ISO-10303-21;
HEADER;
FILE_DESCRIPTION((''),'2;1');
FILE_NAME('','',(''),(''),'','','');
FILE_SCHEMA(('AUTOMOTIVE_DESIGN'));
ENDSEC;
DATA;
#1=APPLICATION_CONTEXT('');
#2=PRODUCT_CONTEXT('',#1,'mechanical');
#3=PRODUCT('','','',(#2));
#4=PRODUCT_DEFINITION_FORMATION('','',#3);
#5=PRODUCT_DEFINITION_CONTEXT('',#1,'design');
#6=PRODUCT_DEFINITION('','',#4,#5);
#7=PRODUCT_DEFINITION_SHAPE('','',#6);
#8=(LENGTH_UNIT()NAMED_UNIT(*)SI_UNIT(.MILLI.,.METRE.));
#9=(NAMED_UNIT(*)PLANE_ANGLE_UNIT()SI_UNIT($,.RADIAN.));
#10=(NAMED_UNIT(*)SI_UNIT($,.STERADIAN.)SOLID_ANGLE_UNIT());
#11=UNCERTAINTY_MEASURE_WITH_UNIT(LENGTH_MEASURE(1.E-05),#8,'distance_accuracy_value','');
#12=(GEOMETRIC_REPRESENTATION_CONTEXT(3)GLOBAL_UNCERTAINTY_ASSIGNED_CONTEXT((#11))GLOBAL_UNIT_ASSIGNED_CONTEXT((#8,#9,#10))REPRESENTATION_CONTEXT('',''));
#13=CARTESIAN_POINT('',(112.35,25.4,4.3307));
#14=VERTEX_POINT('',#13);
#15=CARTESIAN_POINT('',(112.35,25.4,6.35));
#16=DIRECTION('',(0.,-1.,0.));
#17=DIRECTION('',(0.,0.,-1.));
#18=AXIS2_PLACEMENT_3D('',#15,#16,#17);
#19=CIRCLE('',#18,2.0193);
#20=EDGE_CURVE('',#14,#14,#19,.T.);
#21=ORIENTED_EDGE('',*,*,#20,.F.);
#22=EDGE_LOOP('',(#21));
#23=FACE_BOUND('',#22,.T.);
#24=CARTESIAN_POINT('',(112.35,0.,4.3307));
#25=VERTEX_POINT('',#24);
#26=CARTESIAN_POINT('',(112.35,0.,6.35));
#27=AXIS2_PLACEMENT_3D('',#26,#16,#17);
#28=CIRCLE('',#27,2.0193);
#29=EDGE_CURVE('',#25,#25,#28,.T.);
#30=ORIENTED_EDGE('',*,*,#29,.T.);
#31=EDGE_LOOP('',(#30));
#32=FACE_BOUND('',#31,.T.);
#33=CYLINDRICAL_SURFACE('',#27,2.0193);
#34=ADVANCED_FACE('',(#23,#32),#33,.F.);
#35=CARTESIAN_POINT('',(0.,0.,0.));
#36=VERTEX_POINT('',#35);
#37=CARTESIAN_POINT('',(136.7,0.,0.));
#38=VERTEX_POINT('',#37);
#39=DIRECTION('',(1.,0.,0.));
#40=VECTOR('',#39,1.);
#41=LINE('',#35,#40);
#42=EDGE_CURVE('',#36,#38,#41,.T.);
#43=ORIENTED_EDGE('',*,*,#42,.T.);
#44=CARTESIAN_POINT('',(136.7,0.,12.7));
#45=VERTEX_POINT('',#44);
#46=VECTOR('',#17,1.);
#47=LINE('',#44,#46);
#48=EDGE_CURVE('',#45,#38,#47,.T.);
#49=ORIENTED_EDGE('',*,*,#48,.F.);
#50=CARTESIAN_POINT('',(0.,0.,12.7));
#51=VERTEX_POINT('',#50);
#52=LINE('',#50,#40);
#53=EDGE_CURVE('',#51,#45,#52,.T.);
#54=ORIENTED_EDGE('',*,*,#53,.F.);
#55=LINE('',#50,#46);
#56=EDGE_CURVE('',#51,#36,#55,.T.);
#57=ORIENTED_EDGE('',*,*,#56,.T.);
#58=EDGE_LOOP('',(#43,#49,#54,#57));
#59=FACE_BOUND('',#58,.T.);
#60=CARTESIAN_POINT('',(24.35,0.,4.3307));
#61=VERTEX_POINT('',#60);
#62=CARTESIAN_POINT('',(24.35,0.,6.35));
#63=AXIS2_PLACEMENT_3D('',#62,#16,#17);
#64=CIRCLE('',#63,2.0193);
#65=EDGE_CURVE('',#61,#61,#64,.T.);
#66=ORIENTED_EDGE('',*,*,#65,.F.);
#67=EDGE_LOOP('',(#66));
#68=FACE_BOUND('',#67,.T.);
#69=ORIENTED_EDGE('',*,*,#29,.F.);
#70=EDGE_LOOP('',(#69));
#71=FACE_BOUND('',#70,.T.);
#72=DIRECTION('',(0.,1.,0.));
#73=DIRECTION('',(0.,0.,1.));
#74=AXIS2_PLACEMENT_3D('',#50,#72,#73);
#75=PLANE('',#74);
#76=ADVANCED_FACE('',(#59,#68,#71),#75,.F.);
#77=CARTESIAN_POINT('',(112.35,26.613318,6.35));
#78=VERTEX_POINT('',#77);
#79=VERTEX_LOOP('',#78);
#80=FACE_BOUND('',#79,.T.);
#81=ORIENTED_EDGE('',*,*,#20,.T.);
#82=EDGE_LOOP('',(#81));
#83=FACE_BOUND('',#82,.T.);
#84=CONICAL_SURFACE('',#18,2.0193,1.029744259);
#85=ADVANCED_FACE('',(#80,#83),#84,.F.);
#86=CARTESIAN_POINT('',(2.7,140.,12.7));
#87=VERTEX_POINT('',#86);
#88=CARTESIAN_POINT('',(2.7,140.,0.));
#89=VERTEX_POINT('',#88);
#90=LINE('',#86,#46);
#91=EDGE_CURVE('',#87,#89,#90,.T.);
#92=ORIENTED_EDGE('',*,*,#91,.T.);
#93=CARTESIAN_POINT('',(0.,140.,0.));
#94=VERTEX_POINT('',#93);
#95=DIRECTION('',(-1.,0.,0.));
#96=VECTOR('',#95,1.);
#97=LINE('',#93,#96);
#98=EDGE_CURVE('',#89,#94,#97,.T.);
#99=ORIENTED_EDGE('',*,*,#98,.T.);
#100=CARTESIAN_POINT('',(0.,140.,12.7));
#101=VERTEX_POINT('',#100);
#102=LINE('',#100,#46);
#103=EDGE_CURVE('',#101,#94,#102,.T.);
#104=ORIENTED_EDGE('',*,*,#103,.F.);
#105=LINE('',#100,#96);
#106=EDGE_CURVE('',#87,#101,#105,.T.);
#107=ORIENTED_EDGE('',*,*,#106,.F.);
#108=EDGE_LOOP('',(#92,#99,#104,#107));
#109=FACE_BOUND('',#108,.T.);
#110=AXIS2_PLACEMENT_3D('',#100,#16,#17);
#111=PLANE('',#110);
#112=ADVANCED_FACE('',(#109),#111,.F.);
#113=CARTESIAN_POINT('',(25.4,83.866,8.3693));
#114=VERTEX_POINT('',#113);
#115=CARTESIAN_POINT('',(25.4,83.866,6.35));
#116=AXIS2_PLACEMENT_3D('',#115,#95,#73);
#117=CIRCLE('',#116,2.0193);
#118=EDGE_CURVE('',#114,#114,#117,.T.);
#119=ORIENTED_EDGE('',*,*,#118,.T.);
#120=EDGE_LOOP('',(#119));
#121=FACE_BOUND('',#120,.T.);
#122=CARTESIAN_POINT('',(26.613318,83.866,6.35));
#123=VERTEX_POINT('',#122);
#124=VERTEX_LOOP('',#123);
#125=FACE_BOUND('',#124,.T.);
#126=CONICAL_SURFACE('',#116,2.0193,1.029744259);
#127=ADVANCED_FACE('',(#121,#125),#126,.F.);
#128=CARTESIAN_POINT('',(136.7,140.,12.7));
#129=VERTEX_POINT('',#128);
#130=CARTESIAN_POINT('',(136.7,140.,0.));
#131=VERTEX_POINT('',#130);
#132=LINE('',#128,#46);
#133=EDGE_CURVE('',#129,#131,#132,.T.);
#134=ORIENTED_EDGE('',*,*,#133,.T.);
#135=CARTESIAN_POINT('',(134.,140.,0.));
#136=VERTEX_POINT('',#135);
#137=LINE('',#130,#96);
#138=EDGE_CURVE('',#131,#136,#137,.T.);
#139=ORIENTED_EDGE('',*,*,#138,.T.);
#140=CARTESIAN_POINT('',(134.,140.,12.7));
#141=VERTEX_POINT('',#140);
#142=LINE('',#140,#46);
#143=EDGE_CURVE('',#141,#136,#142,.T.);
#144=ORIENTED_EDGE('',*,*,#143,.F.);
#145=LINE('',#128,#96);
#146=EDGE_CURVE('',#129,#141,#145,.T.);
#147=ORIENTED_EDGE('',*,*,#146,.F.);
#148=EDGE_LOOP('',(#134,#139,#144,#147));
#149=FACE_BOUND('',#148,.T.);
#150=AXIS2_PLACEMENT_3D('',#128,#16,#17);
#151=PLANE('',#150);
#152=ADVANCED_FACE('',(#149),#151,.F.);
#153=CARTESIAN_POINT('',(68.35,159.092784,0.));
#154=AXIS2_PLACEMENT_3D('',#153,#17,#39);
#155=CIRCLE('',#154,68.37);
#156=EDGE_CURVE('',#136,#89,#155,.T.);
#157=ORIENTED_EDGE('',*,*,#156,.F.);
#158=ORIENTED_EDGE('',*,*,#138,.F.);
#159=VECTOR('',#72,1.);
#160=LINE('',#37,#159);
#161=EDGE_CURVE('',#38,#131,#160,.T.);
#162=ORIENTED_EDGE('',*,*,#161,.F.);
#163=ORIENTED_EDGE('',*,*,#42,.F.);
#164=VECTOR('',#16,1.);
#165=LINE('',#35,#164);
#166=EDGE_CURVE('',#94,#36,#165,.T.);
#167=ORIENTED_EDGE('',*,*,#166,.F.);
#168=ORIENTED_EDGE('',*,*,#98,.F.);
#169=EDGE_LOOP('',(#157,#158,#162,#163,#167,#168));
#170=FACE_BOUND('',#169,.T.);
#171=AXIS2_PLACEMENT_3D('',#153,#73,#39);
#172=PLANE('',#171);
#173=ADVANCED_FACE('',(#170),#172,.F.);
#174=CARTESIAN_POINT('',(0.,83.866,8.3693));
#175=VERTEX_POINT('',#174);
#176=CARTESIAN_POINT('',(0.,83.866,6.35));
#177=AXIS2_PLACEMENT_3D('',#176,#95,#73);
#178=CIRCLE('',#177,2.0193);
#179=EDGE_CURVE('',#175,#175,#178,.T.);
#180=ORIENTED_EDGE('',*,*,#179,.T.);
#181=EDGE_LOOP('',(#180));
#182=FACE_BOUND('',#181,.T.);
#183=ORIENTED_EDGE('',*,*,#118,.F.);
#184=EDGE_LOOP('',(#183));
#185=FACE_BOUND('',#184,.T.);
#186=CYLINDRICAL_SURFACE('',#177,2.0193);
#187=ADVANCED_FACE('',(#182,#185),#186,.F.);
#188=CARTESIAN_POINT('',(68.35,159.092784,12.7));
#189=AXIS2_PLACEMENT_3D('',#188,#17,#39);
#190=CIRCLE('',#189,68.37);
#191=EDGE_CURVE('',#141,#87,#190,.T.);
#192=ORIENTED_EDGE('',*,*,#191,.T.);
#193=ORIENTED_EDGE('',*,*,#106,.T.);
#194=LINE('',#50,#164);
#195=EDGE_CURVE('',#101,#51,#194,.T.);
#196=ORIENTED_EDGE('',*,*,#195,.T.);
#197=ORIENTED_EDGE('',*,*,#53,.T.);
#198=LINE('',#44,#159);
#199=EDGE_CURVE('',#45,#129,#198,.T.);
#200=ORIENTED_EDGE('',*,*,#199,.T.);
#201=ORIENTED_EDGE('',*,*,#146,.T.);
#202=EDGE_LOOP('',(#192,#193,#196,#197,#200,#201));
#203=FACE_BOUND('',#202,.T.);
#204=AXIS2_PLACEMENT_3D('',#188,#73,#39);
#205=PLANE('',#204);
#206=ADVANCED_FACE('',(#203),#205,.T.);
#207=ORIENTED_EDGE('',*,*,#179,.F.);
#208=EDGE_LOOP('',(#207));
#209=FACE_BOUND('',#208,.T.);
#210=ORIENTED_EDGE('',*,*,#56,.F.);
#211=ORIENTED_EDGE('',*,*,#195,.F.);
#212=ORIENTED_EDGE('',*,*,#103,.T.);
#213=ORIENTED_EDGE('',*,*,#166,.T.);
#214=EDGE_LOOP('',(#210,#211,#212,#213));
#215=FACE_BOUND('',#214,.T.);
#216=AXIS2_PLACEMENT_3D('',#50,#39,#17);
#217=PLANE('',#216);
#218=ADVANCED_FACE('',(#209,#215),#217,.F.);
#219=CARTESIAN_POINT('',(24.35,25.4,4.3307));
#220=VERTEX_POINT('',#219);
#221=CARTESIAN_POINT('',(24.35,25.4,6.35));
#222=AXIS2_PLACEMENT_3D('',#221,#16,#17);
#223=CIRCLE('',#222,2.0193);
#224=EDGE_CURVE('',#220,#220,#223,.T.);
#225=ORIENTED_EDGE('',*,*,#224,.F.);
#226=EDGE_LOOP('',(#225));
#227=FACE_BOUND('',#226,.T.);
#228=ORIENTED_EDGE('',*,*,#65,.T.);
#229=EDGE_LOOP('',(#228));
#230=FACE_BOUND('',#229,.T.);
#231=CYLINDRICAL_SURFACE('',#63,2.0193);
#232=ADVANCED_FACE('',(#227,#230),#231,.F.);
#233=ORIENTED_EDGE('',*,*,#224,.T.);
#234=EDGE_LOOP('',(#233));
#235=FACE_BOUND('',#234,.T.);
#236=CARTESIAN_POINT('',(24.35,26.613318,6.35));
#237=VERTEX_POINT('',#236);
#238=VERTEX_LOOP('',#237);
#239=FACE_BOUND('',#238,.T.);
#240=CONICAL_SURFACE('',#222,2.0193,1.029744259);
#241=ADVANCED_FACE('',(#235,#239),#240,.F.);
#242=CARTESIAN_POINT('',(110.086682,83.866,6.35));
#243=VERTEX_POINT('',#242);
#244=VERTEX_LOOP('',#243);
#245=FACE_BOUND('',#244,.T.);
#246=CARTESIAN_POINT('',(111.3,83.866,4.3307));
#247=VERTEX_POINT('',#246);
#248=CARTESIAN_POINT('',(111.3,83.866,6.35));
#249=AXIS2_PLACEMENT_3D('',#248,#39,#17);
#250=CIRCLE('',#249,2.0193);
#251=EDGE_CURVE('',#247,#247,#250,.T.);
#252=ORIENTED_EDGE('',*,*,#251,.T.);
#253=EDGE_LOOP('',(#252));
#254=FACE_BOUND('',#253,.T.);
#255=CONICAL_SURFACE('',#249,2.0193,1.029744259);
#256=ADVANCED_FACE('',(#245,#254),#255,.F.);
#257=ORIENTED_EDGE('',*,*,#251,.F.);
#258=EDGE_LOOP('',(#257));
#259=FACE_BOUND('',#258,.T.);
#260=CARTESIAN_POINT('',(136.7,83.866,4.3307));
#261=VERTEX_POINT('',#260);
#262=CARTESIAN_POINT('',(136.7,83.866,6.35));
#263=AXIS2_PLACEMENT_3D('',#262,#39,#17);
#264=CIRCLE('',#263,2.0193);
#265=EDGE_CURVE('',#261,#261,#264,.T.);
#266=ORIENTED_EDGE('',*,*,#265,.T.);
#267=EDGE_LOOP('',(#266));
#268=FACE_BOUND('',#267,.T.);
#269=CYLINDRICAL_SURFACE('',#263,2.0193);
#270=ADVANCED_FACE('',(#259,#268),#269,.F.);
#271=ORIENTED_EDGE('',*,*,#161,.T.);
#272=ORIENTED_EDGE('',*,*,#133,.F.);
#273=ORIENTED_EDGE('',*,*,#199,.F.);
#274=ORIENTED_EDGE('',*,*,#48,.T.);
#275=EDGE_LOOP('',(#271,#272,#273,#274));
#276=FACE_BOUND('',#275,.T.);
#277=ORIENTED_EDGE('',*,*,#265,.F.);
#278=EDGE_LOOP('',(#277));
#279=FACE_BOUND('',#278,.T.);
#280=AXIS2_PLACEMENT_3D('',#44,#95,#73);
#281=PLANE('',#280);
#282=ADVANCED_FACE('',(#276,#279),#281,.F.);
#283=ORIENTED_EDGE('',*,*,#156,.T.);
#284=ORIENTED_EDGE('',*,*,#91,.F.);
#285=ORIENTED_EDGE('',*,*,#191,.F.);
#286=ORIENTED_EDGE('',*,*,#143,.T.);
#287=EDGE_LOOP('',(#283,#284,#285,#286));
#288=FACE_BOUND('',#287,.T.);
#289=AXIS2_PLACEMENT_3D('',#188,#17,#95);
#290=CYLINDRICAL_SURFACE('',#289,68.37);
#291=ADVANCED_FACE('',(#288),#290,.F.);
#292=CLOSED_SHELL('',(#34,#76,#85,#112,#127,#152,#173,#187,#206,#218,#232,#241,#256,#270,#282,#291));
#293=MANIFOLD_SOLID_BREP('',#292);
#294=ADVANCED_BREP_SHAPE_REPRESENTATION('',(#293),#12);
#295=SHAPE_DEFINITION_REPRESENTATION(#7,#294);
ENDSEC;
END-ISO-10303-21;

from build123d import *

# Parameters (mm, degrees)
BOSS_EXTRUDE1_DEPTH        = 12.7
F_10_32_TAPPED_HOLE2_D     = 4.0386
F_10_32_TAPPED_HOLE2_DEPTH = 25.4
F_10_32_TAPPED_HOLE2_TIP   = 1.213317848


with BuildPart() as part:
    # Sketch1 → Boss-Extrude1 (new body)
    with BuildSketch(Plane.XY):
        with BuildLine():
            Line((0, 0), (0, 140))
            Line((0, 140), (2.7, 140))
            ThreePointArc((2.7, 140), (68.35, 90.722783973), (134, 140))
            Line((134, 140), (136.7, 140))
            Line((136.7, 140), (136.7, 0))
            Line((136.7, 0), (0, 0))
        make_face()
    extrude(amount=BOSS_EXTRUDE1_DEPTH)

    # Sketch3 → #10-32 Tapped Hole1 (revolve, cut)
    with BuildSketch(Plane(origin=(136.7, 83.866, 6.35), x_dir=(0, 0, -1), z_dir=(0, 1, 0))):
        Polygon((0, 0), (0, 26.613317848), (2.0193, 25.4), (2.0193, 0), align=None)
    f_10_32_tapped_hole1 = revolve(axis=Axis((143.05, 83.866, 6.35), (-1, 0, 0)), mode=Mode.SUBTRACT)

    # Mirror3: #10-32 Tapped Hole1 across plane
    add(f_10_32_tapped_hole1.mirror(Plane(origin=(68.35, 0, 0), x_dir=(0, 0, 1), z_dir=(1, 0, 0))), mode=Mode.SUBTRACT)

    # #10-32 Tapped Hole2
    with Locations(Plane(origin=(112.35, 0, 6.35), x_dir=(0, 0, -1), z_dir=(0, -1, 0))):
        with Locations((0, 0), (0, -88)):
            Hole(F_10_32_TAPPED_HOLE2_D / 2, depth=F_10_32_TAPPED_HOLE2_DEPTH)
            with Locations((0, 0, -(F_10_32_TAPPED_HOLE2_DEPTH + F_10_32_TAPPED_HOLE2_TIP / 2))):  # 118° drill point
                Cone(0, F_10_32_TAPPED_HOLE2_D / 2, F_10_32_TAPPED_HOLE2_TIP, mode=Mode.SUBTRACT)


solid = part.part
